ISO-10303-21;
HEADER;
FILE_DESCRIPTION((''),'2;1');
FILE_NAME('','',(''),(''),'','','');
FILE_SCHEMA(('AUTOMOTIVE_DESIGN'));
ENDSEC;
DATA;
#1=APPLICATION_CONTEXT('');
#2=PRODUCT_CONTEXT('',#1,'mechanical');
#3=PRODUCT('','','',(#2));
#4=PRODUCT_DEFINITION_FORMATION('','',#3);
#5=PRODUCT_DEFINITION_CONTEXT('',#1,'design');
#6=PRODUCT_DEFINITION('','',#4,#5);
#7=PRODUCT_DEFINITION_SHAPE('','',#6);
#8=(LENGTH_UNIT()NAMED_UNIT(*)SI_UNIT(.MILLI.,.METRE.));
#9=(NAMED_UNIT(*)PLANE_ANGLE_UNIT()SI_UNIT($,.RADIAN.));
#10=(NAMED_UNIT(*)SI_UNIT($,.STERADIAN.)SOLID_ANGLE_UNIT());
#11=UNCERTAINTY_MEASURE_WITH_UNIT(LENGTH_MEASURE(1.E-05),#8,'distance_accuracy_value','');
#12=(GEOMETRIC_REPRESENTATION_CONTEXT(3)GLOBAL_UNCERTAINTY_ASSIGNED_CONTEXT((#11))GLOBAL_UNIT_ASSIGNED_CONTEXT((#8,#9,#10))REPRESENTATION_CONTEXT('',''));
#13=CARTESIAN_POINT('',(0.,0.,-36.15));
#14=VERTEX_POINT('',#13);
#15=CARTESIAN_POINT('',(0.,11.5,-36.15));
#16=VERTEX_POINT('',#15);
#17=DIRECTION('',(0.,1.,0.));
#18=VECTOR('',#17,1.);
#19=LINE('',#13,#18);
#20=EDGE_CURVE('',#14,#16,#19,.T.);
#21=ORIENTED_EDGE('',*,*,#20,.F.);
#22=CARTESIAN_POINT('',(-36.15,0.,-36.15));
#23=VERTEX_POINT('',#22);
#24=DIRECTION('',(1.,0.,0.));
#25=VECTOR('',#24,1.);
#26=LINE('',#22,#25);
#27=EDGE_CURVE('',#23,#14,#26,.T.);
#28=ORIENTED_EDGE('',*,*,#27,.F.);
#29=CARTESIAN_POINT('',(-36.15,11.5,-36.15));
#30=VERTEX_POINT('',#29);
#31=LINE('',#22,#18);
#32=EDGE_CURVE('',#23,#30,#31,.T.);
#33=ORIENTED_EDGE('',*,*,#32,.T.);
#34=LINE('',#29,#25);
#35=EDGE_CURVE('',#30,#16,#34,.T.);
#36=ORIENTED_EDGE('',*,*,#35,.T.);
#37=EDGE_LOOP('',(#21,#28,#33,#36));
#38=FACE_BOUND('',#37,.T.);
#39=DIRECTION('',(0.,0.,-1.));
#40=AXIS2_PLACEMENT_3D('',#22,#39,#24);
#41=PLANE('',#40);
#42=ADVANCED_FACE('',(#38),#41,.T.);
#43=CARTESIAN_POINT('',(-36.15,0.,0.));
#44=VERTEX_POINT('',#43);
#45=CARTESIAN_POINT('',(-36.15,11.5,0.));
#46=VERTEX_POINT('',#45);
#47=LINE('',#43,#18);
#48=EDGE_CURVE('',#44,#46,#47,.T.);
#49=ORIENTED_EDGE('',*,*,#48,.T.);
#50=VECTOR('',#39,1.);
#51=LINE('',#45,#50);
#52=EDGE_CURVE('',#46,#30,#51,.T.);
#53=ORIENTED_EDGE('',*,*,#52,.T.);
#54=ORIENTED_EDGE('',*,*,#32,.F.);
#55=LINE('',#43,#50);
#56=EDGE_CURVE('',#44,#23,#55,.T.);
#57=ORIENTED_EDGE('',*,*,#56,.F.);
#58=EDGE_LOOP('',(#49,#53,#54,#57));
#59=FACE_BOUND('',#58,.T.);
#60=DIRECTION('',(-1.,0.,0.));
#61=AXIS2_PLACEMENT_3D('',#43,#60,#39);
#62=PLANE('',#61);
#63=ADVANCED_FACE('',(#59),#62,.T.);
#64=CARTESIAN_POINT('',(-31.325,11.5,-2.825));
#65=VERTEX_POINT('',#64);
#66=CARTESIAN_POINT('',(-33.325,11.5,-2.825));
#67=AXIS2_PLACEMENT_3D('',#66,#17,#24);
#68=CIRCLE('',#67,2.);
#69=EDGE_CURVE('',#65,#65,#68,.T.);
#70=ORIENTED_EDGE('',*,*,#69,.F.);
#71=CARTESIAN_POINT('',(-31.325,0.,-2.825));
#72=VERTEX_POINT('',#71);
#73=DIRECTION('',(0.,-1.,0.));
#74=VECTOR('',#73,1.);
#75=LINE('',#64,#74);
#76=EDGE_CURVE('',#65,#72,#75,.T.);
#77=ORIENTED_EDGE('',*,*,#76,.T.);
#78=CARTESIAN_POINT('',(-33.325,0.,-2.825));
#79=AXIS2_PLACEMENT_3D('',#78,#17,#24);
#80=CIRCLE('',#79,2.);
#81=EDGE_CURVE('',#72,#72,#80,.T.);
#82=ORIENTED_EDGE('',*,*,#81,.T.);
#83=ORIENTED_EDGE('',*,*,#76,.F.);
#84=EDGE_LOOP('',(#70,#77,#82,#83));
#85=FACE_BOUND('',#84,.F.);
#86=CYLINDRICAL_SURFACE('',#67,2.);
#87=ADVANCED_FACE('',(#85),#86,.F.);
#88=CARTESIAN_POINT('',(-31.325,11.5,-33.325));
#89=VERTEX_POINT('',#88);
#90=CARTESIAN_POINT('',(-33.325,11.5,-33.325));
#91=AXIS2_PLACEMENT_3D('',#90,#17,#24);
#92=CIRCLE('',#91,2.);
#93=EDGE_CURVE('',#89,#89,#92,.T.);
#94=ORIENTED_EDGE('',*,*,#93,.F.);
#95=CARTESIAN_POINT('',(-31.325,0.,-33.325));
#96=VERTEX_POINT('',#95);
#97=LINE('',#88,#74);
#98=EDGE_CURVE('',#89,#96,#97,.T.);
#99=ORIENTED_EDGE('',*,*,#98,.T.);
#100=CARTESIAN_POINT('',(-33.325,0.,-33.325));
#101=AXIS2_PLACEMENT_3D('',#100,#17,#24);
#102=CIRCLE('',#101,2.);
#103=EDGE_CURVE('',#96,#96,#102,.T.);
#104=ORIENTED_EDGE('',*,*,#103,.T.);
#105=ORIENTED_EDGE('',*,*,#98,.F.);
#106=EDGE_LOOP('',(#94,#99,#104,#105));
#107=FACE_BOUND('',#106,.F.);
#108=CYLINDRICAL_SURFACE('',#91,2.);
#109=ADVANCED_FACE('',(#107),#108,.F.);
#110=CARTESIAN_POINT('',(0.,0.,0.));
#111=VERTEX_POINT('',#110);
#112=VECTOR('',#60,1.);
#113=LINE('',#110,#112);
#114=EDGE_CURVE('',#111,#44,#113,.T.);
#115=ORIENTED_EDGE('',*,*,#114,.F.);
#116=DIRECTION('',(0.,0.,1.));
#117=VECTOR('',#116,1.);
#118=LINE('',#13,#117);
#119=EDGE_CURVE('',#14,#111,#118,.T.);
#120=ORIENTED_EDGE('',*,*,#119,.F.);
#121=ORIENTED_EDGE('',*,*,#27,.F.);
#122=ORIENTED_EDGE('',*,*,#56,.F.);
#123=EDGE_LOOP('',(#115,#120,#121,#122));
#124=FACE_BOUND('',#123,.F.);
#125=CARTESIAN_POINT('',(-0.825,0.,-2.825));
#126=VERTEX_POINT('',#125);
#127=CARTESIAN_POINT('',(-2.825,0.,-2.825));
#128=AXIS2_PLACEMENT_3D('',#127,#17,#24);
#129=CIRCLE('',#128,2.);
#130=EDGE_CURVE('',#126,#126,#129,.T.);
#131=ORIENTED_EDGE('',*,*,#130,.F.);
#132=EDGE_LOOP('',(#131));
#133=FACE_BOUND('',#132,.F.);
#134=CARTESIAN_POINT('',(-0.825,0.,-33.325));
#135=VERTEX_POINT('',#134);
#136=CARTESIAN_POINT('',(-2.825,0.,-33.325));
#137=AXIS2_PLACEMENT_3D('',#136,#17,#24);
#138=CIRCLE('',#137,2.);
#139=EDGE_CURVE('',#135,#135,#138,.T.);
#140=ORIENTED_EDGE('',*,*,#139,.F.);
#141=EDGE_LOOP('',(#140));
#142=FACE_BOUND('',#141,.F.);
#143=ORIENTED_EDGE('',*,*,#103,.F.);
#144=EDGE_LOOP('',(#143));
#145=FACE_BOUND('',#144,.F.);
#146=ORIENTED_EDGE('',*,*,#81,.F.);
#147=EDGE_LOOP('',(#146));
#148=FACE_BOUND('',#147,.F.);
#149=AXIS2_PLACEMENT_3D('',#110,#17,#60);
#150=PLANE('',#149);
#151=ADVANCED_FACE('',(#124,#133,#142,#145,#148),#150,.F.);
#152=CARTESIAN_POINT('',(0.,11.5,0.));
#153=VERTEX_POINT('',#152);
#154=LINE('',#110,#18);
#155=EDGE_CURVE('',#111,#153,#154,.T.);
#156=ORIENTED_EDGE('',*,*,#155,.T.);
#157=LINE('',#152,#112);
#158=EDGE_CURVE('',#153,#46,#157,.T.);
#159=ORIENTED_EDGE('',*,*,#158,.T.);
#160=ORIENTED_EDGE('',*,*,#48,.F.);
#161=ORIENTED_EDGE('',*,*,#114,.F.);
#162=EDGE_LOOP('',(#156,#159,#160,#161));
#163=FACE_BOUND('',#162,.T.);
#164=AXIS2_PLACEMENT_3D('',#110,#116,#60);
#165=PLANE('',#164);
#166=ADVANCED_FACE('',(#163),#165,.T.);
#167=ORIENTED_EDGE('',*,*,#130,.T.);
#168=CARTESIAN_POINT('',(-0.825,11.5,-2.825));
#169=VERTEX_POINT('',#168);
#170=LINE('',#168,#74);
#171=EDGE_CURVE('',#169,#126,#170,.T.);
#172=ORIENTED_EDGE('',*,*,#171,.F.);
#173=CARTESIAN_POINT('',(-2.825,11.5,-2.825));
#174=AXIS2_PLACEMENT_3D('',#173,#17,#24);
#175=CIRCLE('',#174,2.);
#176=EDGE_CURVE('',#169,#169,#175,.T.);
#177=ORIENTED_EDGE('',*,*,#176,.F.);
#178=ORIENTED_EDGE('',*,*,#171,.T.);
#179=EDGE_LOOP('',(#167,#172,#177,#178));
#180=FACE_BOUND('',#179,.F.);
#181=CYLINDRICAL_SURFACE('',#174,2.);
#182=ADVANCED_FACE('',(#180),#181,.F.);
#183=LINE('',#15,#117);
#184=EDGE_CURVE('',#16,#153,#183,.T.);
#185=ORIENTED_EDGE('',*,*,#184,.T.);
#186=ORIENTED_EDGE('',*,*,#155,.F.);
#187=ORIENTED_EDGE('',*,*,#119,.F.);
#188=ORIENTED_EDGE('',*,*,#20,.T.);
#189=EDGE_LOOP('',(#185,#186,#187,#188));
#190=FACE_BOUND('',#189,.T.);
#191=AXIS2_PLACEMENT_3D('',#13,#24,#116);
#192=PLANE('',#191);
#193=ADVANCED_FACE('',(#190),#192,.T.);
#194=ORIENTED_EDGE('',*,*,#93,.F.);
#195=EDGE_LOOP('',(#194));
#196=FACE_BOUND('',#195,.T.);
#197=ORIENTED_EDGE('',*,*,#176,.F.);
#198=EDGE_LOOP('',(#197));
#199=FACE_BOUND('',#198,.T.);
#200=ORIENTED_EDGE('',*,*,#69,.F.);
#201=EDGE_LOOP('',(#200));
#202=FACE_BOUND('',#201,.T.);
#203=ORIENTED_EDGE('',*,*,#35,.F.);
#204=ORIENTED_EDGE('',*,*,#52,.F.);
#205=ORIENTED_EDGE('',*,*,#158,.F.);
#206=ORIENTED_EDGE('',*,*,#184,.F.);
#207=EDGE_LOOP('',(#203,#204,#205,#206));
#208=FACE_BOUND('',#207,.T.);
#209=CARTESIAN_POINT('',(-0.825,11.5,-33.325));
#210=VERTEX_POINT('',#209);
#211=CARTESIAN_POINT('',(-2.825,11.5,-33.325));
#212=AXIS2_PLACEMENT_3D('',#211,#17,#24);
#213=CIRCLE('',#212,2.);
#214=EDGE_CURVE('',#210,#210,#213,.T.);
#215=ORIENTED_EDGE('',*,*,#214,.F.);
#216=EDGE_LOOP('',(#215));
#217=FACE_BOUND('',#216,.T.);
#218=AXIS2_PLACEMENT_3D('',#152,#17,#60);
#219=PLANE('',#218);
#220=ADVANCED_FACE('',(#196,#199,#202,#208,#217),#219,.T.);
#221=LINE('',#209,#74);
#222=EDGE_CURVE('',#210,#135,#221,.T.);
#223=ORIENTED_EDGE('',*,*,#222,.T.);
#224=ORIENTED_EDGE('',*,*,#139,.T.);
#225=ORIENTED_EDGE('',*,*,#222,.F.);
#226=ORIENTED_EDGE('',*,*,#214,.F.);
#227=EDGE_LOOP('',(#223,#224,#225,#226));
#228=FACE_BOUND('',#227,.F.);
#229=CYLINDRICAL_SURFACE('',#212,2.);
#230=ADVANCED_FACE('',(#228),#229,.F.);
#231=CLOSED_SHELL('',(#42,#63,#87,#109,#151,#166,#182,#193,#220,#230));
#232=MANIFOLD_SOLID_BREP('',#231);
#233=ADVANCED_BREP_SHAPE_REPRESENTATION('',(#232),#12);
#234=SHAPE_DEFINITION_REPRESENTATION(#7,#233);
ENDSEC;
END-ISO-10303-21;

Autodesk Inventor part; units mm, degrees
ref_plane "YZ Plane" through (0, 0, 0) normal (1, 0, 0) x (0, 1, 0)
ref_plane "XZ Plane" through (0, 0, 0) normal (0, 1, 0) x (-1, 0, 0)
ref_plane "XY Plane" through (0, 0, 0) normal (0, 0, 1) x (1, 0, 0)
sketch "Sketch1" plane through (0, 0, 0) normal (0, 1, 0) x (-1, 0, 0)
  line L0 (0, 0) -> (36.15, 0)
  line L1 (36.15, 0) -> (36.15, -36.15)
  line L2 (36.15, -36.15) -> (0, -36.15)
  line L3 (0, -36.15) -> (0, 0)
  dimension "d0" = 36.15
  dimension "d1" = 36.15
extrude "Extrusion1" add sketch "Sketch1" along normal blind 11.5
sketch "Sketch2" plane through (0, 11.5, 0) normal (0, 1, 0) x (1, 0, 0)
  line L0 (0, 36.15) -> (-36.15, 36.15) construction
  line L1 (-36.15, 36.15) -> (-36.15, 0) construction
  line L2 (-36.15, 0) -> (0, 0) construction
  line L3 (0, 0) -> (0, 36.15) construction
  line L4 (-18.075, 0) -> (-18.075, 36.15) construction
  line L5 (-18.075, 18.075) -> (-33.325, 18.075) construction
  line L6 (-33.325, 18.075) -> (-33.325, 33.325) construction
  circle A0 centre (-33.325, 33.325) radius 2
  circle A1 centre (-33.325, 2.825) radius 2
  circle A2 centre (-2.825, 2.825) radius 2
  circle A3 centre (-2.825, 33.325) radius 2
  dimension "d4" = 15.25
  dimension "d5" = 15.25
  dimension "d6" = 4
  dimension "d9" = 360
extrude "Extrusion2" cut sketch "Sketch2" against normal up to surface (11.5 mm away)
properties part number "30x30 stack"
